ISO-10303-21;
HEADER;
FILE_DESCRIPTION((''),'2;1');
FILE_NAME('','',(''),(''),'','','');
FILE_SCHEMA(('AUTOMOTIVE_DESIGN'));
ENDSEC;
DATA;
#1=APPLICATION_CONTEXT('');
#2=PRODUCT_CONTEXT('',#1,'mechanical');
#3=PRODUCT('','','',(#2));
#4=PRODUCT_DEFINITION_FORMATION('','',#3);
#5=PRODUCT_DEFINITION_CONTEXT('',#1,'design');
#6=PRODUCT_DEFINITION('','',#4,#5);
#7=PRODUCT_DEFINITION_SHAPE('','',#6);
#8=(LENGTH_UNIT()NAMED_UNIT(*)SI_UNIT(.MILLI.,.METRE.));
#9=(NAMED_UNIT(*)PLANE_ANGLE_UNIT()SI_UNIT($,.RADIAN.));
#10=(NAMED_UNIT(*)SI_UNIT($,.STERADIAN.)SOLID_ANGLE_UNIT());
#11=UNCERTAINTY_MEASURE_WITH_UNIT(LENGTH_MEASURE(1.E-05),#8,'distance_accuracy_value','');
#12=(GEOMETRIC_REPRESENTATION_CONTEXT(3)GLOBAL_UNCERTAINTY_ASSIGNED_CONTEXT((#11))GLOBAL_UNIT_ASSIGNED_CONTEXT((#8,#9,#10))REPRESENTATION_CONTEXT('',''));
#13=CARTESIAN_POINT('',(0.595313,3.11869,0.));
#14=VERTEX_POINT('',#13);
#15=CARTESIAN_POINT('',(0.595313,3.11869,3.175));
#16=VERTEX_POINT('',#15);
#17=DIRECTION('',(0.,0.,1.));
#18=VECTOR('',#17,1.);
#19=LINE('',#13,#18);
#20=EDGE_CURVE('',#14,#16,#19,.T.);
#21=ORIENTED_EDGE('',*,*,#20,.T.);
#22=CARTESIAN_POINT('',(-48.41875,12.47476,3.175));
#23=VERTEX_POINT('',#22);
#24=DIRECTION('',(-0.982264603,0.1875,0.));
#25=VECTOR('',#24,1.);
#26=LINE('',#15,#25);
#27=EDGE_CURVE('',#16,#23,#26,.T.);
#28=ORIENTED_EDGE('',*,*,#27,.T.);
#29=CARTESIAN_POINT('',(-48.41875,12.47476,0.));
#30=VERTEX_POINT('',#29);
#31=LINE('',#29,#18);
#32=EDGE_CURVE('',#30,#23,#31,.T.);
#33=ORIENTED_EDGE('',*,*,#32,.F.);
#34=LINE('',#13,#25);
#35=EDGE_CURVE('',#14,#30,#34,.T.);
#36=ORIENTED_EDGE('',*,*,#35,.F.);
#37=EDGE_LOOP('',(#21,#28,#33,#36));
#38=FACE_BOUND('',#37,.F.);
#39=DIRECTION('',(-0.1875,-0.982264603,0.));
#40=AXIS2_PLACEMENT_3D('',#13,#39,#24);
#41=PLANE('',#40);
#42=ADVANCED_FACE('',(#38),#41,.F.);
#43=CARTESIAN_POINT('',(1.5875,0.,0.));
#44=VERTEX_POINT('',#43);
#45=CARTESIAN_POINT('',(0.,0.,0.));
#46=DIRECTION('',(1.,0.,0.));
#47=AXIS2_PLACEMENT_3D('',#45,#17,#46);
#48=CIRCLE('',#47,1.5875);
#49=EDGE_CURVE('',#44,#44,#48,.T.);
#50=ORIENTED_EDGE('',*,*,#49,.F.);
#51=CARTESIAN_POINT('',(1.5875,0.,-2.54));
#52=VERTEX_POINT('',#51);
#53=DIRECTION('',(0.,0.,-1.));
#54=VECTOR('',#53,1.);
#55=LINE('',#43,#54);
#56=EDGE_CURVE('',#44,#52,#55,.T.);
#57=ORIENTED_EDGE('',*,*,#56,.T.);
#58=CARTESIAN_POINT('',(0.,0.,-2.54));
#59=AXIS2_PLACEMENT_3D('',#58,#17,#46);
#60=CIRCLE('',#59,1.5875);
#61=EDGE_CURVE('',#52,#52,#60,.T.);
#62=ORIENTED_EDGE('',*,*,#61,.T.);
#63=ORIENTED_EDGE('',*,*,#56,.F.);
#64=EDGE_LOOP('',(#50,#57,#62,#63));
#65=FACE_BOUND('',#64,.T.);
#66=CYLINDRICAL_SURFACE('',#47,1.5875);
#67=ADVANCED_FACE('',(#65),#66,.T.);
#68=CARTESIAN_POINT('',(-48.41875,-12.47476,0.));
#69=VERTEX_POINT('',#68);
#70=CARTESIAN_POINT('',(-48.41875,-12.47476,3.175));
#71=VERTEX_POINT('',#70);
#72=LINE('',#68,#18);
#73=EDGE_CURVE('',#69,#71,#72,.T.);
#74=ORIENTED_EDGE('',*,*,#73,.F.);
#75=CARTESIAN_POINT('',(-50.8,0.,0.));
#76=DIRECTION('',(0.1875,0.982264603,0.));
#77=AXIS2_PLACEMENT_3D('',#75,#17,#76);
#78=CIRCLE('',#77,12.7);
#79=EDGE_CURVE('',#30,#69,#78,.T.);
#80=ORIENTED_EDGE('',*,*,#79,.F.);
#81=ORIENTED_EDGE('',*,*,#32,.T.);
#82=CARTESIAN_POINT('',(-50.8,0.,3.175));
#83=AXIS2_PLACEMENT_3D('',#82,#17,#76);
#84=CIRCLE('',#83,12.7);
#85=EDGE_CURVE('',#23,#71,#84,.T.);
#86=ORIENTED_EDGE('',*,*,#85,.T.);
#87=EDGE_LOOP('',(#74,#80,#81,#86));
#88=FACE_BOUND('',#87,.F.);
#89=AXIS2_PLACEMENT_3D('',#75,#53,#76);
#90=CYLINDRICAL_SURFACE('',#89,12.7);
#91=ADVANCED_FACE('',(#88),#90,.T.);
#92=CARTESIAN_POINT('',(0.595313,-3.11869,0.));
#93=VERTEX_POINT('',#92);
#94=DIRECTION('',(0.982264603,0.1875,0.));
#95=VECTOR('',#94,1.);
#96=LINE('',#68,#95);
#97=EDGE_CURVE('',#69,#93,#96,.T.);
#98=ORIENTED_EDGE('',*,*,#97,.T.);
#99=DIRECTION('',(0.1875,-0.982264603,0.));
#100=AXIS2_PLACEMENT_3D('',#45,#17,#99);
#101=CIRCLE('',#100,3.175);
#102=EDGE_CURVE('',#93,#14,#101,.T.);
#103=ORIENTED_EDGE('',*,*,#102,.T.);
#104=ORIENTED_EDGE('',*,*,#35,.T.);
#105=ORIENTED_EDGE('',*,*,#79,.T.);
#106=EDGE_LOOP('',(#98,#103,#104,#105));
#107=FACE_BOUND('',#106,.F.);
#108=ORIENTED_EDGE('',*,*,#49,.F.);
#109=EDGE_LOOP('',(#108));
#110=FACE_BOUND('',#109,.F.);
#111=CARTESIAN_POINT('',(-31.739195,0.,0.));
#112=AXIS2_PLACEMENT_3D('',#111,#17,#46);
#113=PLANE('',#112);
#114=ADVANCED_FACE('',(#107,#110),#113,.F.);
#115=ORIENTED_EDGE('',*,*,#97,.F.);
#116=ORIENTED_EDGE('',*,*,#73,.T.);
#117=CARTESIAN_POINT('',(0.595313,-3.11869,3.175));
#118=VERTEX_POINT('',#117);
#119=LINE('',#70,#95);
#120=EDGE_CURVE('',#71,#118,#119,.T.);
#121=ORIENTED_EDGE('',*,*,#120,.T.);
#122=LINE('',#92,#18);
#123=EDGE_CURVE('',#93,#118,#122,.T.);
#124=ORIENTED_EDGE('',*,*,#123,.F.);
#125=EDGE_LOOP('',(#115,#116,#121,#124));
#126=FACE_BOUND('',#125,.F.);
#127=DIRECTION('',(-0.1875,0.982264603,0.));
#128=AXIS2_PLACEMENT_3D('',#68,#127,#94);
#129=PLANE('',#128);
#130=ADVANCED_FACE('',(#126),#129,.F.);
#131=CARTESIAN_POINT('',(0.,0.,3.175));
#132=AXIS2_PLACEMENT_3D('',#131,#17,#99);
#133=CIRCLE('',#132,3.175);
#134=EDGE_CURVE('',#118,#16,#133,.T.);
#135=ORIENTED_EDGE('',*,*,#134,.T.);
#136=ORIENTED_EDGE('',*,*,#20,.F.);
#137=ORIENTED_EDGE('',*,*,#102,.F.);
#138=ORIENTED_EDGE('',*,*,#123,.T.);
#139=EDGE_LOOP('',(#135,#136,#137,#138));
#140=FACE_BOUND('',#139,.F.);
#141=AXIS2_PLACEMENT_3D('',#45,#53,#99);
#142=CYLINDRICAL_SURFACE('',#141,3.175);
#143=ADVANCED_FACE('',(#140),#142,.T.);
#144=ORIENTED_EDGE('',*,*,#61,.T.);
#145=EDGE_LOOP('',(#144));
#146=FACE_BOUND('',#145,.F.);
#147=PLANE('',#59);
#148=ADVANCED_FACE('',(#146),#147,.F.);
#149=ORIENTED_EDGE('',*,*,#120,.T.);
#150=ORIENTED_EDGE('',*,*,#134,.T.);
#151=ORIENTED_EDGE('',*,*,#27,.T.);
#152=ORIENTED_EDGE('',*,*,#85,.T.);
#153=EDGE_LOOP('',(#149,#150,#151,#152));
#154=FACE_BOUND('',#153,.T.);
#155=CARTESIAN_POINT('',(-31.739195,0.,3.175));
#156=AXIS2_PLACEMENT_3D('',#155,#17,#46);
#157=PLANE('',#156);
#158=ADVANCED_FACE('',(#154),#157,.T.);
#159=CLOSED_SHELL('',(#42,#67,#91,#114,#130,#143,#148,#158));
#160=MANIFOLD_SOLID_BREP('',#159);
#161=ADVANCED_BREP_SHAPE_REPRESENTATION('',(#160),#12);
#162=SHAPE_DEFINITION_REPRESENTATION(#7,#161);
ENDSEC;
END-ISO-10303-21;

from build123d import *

# Parameters (mm, degrees)
F0_R     = 1.5875
F1_DEPTH = 3.175
F2_DEPTH = 2.54


with BuildPart() as f1:
    # F0 (on Top) → F1 (new body)
    with BuildSketch(Plane.XY):
        with BuildLine():
            Line((-48.41875, -12.4747604561), (0.5953125, -3.118690114))
            ThreePointArc((0.5953125, -3.118690114), (3.175, 0), (0.5953125, 3.118690114))
            Line((0.5953125, 3.118690114), (-48.41875, 12.4747604561))
            ThreePointArc((-48.41875, 12.4747604561), (-63.5, 0), (-48.41875, -12.4747604561))
        make_face()
        Circle(F0_R, mode=Mode.SUBTRACT)
        Circle(F0_R)
    extrude(amount=F1_DEPTH)

    # F0 (on Top) → F2 (join)
    with BuildSketch(Plane.XY):
        Circle(F0_R)
    extrude(amount=-F2_DEPTH)


solid = f1.part
